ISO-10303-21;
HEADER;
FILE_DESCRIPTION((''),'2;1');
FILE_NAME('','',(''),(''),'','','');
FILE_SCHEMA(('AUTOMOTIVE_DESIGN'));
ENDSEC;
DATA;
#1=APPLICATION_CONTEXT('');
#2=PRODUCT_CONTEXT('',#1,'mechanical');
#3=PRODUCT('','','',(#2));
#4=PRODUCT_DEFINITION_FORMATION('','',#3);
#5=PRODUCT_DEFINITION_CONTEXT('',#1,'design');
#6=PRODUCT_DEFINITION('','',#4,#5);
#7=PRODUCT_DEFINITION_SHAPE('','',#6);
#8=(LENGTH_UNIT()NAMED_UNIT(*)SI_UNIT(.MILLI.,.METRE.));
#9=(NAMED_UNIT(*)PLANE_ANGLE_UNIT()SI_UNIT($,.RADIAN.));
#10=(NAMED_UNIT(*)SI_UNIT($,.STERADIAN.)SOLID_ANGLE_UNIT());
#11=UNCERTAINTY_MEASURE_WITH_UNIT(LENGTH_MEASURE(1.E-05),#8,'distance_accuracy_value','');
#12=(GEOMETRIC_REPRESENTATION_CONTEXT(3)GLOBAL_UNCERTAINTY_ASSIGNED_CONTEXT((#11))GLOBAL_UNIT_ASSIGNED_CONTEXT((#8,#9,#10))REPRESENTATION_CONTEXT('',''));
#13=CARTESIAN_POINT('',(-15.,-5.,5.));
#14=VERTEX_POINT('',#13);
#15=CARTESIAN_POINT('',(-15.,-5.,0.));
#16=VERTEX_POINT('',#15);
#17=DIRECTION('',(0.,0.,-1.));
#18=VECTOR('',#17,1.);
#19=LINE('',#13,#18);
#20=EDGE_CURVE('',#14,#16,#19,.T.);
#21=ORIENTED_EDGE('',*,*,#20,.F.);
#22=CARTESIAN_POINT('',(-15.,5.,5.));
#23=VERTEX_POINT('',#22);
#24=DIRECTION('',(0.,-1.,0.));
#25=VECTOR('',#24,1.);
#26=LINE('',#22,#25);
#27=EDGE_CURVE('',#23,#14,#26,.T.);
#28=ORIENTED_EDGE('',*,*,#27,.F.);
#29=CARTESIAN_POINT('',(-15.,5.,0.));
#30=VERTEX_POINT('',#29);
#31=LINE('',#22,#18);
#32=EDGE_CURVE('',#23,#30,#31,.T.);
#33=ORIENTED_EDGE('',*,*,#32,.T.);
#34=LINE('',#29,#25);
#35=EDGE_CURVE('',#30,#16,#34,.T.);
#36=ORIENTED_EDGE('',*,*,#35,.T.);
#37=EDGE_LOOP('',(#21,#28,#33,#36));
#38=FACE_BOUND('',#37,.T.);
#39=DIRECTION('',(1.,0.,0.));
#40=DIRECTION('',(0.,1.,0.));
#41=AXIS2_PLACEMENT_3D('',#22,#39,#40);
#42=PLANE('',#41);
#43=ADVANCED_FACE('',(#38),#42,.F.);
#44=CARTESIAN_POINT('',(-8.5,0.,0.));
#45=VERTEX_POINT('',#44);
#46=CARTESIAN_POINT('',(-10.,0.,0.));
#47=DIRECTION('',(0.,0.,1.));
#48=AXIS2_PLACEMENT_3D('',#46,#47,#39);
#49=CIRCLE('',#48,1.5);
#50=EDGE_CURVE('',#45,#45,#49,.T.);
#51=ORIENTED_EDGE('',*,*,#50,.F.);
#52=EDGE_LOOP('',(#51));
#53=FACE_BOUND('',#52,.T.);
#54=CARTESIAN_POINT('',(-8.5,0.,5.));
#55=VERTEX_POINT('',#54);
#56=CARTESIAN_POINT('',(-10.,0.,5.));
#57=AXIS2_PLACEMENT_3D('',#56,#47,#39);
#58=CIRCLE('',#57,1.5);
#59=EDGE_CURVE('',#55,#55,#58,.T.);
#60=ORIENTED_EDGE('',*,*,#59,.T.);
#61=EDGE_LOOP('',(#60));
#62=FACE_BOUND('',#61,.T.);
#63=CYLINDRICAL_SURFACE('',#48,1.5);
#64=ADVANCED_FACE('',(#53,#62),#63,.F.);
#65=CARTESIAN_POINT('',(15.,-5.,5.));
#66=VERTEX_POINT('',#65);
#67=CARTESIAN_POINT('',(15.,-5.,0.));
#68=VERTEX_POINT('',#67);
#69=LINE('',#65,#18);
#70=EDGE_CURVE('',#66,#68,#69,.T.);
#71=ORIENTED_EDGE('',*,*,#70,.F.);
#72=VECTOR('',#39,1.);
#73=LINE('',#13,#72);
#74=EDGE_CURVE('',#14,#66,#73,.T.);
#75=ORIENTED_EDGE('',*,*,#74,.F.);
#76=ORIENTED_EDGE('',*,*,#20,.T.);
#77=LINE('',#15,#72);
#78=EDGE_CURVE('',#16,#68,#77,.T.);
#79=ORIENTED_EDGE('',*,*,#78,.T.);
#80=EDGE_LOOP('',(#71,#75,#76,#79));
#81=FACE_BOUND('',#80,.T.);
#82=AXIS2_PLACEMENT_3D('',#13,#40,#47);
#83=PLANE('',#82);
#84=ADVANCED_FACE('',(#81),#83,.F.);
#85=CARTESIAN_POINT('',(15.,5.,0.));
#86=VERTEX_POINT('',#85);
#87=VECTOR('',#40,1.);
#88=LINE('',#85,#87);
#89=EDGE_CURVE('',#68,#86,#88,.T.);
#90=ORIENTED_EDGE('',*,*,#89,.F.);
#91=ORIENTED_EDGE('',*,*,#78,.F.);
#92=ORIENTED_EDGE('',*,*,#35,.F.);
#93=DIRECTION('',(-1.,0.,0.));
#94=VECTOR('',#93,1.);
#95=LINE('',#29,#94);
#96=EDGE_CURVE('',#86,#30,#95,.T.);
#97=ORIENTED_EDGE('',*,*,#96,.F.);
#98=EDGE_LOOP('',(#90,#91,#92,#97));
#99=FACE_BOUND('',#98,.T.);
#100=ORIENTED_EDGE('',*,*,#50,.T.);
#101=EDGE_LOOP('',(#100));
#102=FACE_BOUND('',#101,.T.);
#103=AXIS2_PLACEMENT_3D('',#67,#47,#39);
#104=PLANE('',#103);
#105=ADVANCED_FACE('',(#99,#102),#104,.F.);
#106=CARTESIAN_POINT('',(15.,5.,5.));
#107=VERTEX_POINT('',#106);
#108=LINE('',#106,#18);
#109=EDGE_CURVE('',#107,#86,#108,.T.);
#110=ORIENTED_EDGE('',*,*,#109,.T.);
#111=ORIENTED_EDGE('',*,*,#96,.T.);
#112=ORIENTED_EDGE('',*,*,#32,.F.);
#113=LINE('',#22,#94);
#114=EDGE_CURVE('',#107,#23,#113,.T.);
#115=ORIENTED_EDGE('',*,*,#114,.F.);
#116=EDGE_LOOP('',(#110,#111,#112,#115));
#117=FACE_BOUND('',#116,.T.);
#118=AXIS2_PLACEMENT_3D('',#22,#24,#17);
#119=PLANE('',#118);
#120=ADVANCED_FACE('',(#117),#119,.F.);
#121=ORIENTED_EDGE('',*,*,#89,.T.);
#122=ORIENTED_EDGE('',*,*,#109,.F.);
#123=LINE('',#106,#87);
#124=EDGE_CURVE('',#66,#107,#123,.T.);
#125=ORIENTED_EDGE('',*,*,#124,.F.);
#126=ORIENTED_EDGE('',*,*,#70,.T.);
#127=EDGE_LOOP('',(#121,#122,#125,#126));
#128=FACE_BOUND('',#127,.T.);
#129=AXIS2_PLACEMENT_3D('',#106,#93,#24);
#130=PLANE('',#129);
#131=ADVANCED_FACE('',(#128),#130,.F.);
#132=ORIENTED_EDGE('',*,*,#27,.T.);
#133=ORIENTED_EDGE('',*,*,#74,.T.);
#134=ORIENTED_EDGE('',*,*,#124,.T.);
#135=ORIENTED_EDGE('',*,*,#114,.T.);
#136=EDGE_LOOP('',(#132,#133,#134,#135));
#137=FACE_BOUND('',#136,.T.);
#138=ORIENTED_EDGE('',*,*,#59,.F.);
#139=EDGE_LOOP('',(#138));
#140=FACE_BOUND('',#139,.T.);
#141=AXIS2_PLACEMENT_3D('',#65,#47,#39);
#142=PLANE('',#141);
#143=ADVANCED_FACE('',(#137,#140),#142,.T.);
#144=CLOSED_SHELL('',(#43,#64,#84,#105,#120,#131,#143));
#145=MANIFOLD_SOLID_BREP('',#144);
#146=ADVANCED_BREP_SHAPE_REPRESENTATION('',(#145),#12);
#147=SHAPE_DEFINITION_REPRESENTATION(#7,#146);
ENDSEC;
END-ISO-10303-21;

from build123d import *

# Parameters (mm, degrees)
SKETCH1_W           = 30
SKETCH1_H           = 10
BOSS_EXTRUDE1_DEPTH = 5
SKETCH2_R           = 1.5
CUT_EXTRUDE1_DEPTH  = 5


with BuildPart() as part:
    # Sketch1 → Boss-Extrude1 (new body)
    with BuildSketch(Plane.XY):
        Rectangle(SKETCH1_W, SKETCH1_H)
    extrude(amount=BOSS_EXTRUDE1_DEPTH)

    # Sketch2 → Cut-Extrude1 (cut)
    with BuildSketch(Plane.XY.offset(5)):
        with Locations((-10, 0)):
            Circle(SKETCH2_R)
    extrude(amount=-CUT_EXTRUDE1_DEPTH, mode=Mode.SUBTRACT)


solid = part.part
